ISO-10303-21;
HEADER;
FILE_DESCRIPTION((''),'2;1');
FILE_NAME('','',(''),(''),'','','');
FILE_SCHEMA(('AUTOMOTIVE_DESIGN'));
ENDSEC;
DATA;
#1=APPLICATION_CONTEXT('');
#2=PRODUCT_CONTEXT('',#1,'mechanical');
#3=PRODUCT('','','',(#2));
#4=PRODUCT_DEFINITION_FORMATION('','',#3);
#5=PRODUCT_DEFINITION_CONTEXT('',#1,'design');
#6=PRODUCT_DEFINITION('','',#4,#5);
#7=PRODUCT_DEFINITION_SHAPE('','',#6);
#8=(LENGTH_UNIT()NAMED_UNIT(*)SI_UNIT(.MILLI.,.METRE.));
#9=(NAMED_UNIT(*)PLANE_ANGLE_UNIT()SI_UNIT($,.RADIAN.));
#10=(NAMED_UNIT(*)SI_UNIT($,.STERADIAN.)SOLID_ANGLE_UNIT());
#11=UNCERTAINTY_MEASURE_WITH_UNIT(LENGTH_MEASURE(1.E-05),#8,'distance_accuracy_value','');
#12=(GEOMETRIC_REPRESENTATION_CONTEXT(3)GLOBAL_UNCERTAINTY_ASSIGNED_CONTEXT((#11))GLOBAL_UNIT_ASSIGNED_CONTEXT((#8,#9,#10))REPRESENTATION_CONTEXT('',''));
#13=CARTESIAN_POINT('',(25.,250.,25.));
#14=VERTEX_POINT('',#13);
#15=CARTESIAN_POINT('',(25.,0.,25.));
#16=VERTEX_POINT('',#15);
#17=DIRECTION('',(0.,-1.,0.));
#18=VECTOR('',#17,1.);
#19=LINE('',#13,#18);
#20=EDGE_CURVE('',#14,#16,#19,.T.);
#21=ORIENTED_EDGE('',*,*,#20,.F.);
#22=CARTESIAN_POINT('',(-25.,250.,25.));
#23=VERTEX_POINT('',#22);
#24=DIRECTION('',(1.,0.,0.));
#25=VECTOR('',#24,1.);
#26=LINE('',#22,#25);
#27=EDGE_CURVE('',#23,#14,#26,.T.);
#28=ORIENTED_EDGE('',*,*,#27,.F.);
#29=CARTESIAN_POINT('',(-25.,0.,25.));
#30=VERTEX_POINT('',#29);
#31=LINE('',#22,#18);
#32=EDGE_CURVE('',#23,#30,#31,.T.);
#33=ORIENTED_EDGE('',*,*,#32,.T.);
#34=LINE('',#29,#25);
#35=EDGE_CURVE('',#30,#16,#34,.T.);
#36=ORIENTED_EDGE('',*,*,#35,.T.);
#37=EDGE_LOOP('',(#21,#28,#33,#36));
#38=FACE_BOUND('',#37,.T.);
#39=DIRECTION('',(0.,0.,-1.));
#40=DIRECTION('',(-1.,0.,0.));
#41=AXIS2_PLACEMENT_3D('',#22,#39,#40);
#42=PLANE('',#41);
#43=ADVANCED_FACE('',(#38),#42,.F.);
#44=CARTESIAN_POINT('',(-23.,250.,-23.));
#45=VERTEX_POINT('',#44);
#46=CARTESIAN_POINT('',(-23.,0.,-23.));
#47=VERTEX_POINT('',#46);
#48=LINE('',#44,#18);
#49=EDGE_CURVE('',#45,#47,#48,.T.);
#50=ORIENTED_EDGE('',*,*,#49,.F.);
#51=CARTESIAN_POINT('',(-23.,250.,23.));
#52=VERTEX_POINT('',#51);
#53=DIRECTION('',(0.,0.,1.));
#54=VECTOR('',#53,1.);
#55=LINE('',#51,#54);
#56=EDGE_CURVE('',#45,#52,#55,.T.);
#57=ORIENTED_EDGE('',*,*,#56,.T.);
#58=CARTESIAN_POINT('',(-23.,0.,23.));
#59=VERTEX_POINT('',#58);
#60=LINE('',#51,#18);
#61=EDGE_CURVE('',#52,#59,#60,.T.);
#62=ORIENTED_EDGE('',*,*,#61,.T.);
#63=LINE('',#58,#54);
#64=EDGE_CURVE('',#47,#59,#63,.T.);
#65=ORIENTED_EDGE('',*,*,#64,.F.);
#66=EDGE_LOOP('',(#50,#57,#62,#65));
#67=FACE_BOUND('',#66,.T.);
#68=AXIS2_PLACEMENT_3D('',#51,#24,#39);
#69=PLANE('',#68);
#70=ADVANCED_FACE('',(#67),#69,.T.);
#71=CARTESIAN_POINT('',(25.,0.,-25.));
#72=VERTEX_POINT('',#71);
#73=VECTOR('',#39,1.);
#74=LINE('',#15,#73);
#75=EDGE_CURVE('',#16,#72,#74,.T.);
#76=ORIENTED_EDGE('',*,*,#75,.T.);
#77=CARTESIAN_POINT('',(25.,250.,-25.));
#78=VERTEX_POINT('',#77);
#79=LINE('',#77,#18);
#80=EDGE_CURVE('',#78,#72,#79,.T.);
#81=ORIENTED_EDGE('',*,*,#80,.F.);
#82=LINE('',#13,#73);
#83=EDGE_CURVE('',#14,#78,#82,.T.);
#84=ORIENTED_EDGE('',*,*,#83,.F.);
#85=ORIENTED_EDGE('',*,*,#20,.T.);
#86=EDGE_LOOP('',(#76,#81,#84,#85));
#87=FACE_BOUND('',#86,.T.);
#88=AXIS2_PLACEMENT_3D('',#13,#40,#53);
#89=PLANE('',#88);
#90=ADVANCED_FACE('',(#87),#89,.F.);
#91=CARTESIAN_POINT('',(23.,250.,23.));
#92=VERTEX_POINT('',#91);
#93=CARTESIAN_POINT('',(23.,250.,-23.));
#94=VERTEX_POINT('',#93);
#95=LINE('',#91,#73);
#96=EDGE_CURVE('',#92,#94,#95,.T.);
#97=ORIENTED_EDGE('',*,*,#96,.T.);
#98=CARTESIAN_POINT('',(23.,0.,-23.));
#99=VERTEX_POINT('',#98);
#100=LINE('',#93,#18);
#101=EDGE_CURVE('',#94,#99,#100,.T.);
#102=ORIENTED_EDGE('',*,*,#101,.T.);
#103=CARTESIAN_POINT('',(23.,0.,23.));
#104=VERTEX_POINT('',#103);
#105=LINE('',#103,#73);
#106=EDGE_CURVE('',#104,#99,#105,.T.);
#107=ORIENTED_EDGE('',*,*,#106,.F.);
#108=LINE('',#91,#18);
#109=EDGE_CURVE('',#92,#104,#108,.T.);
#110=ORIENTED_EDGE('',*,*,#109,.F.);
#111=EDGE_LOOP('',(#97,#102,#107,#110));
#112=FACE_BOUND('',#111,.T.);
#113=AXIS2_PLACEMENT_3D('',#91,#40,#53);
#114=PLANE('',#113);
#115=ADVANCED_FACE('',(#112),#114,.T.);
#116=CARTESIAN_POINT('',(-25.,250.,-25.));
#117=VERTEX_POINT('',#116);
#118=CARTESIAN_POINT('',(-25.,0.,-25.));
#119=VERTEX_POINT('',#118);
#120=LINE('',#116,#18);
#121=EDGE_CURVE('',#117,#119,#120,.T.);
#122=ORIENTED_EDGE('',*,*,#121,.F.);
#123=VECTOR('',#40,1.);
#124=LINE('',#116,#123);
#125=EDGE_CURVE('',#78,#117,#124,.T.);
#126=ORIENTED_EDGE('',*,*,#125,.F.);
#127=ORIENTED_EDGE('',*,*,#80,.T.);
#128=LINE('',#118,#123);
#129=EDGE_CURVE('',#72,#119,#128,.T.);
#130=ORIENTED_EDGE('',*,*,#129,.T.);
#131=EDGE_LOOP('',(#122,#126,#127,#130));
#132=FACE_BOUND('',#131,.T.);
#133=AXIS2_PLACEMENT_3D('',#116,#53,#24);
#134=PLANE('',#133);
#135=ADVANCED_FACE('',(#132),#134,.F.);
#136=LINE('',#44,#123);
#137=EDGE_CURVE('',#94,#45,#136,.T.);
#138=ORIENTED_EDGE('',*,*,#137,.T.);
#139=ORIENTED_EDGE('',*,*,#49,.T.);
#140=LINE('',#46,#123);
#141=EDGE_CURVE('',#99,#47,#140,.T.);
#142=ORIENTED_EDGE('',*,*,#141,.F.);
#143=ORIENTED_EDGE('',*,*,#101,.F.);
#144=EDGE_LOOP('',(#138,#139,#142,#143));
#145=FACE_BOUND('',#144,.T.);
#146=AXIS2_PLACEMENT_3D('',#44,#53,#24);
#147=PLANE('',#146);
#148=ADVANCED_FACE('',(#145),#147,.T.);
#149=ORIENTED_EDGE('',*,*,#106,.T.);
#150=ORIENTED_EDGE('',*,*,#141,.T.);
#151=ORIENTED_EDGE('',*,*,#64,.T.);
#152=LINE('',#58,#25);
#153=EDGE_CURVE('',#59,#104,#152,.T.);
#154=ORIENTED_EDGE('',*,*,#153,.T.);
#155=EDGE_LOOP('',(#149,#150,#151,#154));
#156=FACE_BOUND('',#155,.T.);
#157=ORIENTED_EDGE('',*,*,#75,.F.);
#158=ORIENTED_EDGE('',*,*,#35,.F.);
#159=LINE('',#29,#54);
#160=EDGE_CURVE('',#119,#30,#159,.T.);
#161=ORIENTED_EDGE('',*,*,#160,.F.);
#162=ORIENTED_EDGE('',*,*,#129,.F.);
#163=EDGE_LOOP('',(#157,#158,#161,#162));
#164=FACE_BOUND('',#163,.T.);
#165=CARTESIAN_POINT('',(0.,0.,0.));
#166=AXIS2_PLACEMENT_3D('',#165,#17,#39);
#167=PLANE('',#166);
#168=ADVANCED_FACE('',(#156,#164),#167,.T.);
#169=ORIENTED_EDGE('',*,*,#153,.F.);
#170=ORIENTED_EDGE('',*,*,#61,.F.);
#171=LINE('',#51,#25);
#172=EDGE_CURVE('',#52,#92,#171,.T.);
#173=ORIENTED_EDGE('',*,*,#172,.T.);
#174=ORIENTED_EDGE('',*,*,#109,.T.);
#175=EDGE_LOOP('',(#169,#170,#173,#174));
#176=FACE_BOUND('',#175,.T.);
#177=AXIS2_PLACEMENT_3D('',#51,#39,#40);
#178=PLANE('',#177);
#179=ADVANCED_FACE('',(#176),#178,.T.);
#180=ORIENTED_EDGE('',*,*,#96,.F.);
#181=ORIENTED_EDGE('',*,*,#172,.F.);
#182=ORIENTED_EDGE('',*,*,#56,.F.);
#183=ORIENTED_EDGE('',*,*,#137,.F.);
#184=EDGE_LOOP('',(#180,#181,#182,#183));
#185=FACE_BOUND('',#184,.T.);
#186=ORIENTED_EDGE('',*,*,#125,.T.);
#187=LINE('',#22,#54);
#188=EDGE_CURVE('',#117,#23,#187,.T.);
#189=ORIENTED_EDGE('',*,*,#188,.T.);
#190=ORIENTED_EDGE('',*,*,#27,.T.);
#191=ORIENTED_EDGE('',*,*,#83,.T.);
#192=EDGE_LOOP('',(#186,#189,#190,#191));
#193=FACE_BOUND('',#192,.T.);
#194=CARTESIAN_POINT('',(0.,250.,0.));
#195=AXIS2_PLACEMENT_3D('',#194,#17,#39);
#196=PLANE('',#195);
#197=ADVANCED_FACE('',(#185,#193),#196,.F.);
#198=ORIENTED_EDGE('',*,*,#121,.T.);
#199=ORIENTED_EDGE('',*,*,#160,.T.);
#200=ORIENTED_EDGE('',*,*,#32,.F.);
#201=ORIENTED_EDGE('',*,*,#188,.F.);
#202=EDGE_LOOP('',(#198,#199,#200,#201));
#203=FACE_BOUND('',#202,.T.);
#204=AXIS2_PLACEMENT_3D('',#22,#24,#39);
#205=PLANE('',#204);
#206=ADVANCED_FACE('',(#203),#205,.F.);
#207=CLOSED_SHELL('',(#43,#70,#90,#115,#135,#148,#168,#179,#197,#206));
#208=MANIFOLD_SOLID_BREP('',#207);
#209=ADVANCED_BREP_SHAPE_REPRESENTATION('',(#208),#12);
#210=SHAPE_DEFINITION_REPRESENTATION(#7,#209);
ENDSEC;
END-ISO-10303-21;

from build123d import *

# Parameters (mm, degrees)
SKETCH21_W                   = 50
SKETCH21_H                   = 50
SKETCH21_W_2                 = 46
SKETCH21_H_2                 = 46
PTR_ASTM_A36_50X50X2_1_DEPTH = 250


with BuildPart() as part:
    # Sketch21 → Ptr ASTM A36 50X50X2(1) (new body)
    with BuildSketch(Plane(origin=(0, 0, 0), x_dir=(-1, 0, 0), z_dir=(0, 1, 0))):
        Rectangle(SKETCH21_W, SKETCH21_H)
        Rectangle(SKETCH21_W_2, SKETCH21_H_2, mode=Mode.SUBTRACT)
    extrude(amount=PTR_ASTM_A36_50X50X2_1_DEPTH)


solid = part.part
